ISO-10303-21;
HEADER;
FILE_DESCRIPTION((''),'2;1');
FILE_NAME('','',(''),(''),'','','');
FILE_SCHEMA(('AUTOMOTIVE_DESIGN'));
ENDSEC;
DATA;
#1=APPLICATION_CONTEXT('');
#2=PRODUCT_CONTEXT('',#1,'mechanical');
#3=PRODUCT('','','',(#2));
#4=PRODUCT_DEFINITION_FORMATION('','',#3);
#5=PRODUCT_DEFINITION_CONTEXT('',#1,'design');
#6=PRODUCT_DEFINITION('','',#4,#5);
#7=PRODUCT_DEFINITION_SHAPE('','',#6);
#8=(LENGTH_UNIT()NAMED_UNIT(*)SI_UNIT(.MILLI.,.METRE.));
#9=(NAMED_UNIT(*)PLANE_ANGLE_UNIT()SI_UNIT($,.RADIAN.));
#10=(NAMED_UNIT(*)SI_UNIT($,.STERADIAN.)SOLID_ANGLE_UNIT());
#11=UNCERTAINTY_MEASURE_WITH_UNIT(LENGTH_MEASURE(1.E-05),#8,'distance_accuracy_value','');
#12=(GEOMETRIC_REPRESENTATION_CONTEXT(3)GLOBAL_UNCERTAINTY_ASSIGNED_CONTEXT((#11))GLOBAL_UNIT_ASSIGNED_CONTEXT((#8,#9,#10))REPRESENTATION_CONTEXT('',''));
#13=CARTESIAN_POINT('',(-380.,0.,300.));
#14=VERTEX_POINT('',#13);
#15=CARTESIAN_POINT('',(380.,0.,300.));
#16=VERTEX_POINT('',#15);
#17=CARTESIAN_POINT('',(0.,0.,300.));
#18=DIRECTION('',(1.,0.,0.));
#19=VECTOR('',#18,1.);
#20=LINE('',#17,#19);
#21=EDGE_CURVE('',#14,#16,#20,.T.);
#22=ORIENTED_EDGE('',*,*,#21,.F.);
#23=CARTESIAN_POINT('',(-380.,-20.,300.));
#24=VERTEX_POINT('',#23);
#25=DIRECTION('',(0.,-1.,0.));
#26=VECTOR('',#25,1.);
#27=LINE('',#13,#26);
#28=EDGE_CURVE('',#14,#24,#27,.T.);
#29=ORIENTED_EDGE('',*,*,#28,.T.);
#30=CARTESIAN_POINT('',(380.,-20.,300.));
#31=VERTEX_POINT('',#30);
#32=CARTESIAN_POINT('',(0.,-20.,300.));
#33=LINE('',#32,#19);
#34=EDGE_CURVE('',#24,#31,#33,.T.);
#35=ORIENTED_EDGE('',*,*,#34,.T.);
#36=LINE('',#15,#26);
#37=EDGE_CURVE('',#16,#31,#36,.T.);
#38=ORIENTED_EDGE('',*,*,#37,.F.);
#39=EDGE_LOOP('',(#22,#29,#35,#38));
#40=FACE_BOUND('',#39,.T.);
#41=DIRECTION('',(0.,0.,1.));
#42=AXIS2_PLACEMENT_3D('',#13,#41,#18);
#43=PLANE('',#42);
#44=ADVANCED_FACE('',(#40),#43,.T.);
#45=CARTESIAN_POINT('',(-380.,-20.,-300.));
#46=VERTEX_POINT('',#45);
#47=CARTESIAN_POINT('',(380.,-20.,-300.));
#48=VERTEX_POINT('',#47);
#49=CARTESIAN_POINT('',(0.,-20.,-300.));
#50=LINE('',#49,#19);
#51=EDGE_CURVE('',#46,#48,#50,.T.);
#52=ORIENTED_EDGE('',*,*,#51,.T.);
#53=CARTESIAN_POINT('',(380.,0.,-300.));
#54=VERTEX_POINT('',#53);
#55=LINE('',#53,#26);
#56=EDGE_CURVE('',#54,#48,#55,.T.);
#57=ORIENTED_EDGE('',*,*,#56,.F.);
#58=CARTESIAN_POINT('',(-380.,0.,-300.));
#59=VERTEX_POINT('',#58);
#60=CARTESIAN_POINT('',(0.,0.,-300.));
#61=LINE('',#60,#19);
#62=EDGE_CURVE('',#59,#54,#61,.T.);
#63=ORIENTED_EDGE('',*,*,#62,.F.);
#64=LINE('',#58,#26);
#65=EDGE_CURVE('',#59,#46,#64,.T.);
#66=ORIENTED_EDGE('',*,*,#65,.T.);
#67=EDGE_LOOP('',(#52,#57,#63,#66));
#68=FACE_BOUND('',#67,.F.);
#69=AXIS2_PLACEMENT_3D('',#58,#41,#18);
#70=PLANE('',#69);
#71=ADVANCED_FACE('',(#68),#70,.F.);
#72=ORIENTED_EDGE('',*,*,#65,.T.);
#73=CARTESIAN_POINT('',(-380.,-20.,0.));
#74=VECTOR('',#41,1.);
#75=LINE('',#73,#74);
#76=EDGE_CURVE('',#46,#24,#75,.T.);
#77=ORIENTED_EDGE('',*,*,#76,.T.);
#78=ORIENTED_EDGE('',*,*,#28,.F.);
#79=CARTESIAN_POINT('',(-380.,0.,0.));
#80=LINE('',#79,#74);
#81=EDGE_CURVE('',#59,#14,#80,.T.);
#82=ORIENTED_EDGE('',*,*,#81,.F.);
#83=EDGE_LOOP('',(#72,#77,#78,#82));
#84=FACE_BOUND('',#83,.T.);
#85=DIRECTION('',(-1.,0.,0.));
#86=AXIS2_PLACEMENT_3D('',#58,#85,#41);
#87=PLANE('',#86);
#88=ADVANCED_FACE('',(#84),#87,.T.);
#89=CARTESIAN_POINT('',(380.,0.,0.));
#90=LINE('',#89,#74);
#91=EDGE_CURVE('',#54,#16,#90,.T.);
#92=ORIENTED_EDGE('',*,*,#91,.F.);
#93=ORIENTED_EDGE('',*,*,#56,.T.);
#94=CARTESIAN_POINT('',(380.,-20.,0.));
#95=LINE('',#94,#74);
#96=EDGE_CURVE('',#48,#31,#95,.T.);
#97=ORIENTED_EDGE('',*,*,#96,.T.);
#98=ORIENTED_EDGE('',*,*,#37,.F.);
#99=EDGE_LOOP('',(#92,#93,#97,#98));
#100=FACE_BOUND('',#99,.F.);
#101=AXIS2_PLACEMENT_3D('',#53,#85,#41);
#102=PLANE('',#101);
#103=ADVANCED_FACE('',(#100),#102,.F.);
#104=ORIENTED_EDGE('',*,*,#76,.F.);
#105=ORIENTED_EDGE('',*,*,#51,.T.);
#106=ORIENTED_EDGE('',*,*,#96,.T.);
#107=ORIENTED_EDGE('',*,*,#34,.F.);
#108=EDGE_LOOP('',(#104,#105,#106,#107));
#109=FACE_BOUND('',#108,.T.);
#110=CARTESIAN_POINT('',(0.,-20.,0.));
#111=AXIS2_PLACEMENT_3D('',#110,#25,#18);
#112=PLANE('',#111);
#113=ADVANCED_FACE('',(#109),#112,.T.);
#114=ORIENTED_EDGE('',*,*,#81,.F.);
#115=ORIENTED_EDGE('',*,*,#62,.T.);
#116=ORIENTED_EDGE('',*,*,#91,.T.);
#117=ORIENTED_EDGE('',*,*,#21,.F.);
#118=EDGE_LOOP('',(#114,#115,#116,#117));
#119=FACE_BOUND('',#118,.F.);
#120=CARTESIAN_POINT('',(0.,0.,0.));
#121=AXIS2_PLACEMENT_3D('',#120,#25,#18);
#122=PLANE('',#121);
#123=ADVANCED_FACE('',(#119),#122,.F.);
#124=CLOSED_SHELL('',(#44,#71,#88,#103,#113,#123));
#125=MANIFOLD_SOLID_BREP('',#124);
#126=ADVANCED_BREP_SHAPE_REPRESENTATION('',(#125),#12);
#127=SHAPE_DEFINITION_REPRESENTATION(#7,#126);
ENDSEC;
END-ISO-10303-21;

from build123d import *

# Parameters (mm, degrees)
SKETCH_W  = 760
SKETCH_H  = 600
PAD_DEPTH = 20


with BuildPart() as part:
    # Sketch → Pad (new body)
    with BuildSketch(Plane.XZ):
        Rectangle(SKETCH_W, SKETCH_H)
    extrude(amount=PAD_DEPTH)


solid = part.part
